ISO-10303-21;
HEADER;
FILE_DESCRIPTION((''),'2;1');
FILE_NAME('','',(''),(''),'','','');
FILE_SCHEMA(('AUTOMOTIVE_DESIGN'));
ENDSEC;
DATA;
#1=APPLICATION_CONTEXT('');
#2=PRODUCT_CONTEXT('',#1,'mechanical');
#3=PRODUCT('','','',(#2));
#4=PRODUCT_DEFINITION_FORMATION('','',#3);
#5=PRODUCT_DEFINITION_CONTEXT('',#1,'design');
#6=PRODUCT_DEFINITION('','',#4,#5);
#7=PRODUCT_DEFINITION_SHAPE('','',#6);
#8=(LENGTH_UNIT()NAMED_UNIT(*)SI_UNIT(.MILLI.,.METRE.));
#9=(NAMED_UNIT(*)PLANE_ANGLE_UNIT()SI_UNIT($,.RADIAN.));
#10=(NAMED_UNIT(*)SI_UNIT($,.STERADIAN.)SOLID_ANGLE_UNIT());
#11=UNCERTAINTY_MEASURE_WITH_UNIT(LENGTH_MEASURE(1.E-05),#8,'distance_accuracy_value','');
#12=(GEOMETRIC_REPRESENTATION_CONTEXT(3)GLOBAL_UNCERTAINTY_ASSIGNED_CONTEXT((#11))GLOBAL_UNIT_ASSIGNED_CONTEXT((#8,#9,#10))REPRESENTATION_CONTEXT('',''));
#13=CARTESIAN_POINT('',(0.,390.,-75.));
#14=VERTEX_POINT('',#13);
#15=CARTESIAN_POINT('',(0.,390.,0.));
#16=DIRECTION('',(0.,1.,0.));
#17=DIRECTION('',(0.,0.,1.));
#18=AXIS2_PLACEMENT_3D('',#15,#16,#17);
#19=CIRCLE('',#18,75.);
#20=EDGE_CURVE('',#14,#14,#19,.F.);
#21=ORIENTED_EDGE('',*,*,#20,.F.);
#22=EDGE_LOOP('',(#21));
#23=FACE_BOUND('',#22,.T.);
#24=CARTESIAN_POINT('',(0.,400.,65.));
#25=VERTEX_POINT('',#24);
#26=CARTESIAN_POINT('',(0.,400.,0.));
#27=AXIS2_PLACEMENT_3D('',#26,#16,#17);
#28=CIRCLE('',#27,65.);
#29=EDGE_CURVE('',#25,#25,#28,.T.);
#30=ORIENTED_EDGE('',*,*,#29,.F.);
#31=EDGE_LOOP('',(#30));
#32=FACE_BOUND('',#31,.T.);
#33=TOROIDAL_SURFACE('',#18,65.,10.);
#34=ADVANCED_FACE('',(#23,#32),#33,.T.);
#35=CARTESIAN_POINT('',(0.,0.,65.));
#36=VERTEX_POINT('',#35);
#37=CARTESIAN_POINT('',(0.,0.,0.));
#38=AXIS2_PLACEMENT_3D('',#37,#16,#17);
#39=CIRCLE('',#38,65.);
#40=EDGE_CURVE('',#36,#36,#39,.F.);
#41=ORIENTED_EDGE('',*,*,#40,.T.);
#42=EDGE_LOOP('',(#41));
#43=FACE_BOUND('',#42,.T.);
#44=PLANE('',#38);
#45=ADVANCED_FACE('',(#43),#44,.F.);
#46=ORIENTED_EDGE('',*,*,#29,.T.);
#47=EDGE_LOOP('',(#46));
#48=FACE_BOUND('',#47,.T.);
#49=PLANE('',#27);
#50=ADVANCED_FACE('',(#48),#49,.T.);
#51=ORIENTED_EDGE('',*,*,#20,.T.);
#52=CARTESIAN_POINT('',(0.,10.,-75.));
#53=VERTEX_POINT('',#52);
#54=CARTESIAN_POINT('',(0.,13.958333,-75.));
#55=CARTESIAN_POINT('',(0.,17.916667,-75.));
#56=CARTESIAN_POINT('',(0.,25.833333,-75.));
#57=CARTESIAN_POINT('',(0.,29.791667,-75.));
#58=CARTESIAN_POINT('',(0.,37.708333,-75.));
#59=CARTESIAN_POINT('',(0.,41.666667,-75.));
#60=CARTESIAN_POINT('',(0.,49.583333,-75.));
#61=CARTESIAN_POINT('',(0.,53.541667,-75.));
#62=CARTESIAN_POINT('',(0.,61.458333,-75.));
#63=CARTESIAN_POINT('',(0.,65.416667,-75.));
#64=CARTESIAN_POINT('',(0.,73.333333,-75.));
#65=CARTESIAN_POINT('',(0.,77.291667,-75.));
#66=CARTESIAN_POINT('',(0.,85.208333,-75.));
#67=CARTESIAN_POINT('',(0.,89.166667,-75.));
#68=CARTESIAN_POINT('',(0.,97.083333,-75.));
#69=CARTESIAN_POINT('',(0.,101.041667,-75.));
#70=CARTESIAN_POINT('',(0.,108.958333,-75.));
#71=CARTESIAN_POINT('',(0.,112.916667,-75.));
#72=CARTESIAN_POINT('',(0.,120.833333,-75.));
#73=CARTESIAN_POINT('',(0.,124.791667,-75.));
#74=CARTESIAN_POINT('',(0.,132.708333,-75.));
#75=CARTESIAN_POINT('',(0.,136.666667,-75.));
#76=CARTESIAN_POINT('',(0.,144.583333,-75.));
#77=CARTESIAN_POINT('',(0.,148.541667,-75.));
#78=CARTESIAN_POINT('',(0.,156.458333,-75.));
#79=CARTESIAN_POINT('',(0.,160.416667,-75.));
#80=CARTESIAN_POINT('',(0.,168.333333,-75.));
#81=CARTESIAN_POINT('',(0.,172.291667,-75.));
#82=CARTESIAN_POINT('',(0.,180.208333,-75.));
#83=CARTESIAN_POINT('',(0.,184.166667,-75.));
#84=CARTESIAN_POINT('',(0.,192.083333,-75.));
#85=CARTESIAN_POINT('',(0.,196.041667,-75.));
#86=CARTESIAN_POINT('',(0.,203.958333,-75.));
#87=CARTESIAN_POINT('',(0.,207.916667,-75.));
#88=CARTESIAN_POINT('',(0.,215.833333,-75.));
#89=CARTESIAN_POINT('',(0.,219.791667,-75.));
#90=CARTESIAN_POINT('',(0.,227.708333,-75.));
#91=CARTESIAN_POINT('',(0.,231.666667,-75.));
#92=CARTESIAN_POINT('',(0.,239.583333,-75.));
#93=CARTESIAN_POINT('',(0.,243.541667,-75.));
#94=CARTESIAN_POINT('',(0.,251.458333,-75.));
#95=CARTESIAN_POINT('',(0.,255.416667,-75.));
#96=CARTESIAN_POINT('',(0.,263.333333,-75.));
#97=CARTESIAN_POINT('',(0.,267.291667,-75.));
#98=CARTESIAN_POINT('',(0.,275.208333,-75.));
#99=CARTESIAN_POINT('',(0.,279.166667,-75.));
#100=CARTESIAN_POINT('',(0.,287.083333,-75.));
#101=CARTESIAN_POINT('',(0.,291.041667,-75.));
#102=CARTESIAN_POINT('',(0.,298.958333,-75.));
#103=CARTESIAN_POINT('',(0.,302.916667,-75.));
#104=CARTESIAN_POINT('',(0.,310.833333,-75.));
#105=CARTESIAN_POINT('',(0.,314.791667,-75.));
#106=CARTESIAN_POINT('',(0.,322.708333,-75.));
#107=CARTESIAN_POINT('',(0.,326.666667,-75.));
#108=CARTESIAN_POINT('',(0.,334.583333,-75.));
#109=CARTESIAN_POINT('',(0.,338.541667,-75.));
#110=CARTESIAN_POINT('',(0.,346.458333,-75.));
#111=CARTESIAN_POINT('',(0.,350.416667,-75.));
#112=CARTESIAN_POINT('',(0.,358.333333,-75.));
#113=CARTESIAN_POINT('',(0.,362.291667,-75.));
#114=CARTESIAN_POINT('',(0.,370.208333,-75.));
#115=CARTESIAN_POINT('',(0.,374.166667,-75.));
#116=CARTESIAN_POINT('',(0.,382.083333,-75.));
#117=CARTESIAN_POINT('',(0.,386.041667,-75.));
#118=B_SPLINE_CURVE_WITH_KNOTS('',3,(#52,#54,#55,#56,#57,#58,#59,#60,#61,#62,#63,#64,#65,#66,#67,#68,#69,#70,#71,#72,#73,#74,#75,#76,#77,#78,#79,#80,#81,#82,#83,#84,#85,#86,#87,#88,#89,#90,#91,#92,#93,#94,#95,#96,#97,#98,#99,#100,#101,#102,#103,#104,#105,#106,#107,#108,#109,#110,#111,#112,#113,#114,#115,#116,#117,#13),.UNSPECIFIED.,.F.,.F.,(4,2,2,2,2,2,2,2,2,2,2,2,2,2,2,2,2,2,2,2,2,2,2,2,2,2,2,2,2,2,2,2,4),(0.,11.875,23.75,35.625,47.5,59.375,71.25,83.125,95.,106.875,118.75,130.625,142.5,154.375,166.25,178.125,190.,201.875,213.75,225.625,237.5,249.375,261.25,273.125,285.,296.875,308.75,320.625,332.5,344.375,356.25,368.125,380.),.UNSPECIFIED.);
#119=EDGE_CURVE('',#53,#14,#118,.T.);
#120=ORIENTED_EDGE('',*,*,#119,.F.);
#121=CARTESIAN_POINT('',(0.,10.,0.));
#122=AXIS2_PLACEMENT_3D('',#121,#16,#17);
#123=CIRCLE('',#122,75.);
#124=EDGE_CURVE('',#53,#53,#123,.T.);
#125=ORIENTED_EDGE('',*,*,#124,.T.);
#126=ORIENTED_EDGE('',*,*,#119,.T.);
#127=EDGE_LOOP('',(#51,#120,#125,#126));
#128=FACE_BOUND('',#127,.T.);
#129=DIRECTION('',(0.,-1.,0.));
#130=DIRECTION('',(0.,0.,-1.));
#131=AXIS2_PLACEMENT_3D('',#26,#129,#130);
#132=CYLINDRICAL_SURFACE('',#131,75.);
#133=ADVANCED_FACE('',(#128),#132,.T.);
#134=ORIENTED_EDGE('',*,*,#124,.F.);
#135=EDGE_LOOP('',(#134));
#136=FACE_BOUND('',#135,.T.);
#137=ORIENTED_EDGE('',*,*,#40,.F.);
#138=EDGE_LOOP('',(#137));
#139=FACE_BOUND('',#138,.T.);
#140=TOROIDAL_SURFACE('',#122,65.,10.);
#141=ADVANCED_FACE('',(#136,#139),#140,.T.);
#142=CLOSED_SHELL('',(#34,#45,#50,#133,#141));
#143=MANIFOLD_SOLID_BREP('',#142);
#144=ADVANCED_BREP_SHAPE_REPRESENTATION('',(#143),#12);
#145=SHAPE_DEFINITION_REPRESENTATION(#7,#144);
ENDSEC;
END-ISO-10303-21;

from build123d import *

# Parameters (mm, degrees)
SKETCH1_R           = 75
BOSS_EXTRUDE1_DEPTH = 400
FILLET1_R           = 10
FILLET2_R           = 10


with BuildPart() as part:
    # Sketch1 → Boss-Extrude1 (new body)
    with BuildSketch(Plane(origin=(0, 0, 0), x_dir=(1, 0, 0), z_dir=(0, 1, 0))):
        with Locations(Location((0, 0, 0), (0, 0, 90))):
            Circle(SKETCH1_R)
    extrude(amount=BOSS_EXTRUDE1_DEPTH)

    # Fillet1
    fillet1_edges = [part.edges().sort_by_distance(p)[0] for p in [
        (0, 400, 75),
    ]]
    fillet(fillet1_edges, radius=FILLET1_R)

    # Fillet2
    fillet2_edges = [part.edges().sort_by_distance(p)[0] for p in [
        (0, 0, 75),
    ]]
    fillet(fillet2_edges, radius=FILLET2_R)


solid = part.part
